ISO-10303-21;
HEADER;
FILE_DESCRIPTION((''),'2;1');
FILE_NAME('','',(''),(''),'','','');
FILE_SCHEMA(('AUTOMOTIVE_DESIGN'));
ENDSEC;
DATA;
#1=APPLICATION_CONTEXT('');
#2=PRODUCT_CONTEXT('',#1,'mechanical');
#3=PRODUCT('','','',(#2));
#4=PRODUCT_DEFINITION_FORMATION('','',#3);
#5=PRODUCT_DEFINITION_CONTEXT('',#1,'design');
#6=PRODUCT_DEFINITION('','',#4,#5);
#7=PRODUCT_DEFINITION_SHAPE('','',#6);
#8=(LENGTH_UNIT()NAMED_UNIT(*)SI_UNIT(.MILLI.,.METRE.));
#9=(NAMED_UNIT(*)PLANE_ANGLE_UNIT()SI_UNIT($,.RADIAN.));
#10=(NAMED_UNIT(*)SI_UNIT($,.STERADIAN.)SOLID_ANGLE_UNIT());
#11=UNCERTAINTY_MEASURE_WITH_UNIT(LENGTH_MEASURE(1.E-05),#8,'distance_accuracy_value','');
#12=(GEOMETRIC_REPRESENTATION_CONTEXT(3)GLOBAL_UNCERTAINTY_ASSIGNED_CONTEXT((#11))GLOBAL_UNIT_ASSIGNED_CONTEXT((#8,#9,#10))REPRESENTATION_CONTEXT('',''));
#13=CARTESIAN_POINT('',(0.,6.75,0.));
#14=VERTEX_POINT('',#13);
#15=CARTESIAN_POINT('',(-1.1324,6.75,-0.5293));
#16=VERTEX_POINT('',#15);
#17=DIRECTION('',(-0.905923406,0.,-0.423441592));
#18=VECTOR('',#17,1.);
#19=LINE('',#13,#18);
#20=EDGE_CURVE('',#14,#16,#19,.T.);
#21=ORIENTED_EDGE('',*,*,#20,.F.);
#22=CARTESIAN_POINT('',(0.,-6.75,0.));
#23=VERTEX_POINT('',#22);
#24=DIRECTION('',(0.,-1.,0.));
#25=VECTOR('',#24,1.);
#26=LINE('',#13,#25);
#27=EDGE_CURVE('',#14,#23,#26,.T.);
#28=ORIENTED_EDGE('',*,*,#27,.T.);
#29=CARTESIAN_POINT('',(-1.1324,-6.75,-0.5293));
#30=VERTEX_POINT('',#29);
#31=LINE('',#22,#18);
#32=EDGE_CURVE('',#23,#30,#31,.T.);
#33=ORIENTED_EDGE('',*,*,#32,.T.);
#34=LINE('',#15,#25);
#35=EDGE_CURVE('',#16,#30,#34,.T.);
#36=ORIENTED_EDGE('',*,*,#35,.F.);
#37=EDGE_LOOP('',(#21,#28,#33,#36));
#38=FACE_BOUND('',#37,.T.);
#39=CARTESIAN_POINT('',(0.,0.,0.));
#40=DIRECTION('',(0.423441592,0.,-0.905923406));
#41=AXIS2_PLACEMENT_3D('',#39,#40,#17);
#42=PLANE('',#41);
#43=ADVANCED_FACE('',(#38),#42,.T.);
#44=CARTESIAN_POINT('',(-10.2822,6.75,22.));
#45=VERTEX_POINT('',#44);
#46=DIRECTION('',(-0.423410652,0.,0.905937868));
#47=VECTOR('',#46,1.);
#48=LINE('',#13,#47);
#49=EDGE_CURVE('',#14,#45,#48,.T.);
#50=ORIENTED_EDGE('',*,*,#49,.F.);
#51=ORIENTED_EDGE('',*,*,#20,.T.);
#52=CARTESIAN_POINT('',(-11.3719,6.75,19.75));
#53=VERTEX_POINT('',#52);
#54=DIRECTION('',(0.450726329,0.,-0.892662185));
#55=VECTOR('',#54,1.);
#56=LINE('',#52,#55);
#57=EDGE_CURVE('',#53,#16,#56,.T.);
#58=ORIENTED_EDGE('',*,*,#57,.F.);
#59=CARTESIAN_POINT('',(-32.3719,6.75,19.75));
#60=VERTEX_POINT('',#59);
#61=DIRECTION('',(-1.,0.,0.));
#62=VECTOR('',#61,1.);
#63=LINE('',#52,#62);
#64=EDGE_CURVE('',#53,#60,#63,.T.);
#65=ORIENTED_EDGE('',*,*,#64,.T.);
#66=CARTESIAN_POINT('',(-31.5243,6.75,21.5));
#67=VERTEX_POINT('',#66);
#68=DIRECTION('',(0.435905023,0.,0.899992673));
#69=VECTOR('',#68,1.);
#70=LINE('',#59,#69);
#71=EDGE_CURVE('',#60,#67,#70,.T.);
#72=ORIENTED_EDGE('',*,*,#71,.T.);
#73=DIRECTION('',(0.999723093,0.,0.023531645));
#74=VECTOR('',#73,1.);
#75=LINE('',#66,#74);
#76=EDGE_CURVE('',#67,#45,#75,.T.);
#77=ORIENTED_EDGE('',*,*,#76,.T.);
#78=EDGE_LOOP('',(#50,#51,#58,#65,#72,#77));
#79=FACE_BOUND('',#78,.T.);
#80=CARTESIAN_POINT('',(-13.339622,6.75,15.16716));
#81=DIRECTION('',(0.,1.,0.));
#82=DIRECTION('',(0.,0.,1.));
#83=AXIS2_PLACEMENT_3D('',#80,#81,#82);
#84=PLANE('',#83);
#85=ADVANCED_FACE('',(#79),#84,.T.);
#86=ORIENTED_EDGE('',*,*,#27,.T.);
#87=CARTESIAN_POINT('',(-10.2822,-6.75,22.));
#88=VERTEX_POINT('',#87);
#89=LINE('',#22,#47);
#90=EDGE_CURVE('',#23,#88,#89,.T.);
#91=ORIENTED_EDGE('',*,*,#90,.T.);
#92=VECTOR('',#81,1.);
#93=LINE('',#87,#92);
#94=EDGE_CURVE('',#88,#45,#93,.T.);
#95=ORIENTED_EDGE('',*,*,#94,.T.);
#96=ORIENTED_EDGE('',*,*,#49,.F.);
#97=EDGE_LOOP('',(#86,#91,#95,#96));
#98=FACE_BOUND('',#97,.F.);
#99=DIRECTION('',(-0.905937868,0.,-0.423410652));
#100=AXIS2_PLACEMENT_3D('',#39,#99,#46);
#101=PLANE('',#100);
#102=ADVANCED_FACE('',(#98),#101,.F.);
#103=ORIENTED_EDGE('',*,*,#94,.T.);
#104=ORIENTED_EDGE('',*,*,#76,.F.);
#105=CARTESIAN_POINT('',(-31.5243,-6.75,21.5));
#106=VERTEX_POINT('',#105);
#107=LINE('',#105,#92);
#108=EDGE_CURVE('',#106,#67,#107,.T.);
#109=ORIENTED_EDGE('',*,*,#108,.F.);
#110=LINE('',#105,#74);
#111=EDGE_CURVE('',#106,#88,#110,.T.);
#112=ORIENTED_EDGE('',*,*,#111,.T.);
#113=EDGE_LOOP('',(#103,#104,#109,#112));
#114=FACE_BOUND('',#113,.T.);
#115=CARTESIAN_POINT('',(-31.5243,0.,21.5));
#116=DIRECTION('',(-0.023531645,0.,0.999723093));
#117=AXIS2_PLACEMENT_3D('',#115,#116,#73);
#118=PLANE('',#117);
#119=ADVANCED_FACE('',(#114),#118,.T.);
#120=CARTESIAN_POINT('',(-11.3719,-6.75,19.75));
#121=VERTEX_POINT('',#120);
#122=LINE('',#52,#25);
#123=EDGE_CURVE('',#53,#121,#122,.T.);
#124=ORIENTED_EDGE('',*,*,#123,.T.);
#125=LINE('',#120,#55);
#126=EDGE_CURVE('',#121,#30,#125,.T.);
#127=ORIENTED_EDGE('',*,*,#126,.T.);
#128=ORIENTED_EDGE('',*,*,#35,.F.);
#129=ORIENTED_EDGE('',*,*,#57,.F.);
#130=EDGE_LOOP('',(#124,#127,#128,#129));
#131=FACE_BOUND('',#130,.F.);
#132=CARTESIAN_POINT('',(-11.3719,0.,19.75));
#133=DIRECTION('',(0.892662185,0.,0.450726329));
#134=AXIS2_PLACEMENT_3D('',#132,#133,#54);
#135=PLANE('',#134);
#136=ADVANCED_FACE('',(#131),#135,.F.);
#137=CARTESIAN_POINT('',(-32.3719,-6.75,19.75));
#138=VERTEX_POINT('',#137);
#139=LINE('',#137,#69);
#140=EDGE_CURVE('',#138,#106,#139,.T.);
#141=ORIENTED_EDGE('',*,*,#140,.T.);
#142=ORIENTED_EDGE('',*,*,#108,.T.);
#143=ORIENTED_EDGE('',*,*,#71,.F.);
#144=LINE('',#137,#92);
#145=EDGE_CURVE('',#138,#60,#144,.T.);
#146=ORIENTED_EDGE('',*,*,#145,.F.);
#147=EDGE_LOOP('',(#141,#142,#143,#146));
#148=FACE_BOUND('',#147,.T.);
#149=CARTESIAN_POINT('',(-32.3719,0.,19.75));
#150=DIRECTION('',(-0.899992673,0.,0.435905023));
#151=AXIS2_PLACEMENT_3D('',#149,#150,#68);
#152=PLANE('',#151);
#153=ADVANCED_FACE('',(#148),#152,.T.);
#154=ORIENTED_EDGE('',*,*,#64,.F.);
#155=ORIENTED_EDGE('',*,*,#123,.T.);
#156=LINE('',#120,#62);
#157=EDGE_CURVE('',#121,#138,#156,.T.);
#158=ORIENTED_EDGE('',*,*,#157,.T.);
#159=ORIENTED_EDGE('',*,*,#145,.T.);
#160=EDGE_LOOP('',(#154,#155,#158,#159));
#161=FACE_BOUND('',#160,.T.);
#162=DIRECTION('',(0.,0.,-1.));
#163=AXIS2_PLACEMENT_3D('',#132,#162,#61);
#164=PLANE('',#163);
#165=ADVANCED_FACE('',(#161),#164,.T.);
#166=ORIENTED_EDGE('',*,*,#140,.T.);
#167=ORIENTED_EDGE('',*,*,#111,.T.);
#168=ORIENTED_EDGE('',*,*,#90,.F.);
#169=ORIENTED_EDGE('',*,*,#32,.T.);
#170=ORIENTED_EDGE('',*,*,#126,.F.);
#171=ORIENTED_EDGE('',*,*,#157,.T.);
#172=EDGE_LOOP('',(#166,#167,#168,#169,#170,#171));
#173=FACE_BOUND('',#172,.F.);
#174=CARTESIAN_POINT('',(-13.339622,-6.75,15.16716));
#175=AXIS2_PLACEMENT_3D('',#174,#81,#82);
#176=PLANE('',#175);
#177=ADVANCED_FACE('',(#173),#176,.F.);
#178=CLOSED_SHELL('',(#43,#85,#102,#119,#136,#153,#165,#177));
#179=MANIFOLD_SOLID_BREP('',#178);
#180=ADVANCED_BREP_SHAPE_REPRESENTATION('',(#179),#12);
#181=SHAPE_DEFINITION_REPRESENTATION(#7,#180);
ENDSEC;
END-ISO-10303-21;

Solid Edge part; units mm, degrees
sketch "Sketch1" plane through (0, 0, 0) normal (0, -1, 0) x (1, 0, 0)
  line L0 (-11.3719, 19.75) -> (-32.3719, 19.75)
  line L1 (-32.3719, 19.75) -> (-31.5243, 21.5)
  line L2 (-31.5243, 21.5) -> (-10.2822, 22)
  line L3 (0, 0) -> (-10.2822, 22)
  line L4 (0, 0) -> (-1.1324, -0.5293)
  line L5 (-11.3719, 19.75) -> (-1.1324, -0.5293)
extrude "Protrusion1" add sketch "Sketch1" along normal mid plane 13.5
properties material "Stainless Steel, 420"
